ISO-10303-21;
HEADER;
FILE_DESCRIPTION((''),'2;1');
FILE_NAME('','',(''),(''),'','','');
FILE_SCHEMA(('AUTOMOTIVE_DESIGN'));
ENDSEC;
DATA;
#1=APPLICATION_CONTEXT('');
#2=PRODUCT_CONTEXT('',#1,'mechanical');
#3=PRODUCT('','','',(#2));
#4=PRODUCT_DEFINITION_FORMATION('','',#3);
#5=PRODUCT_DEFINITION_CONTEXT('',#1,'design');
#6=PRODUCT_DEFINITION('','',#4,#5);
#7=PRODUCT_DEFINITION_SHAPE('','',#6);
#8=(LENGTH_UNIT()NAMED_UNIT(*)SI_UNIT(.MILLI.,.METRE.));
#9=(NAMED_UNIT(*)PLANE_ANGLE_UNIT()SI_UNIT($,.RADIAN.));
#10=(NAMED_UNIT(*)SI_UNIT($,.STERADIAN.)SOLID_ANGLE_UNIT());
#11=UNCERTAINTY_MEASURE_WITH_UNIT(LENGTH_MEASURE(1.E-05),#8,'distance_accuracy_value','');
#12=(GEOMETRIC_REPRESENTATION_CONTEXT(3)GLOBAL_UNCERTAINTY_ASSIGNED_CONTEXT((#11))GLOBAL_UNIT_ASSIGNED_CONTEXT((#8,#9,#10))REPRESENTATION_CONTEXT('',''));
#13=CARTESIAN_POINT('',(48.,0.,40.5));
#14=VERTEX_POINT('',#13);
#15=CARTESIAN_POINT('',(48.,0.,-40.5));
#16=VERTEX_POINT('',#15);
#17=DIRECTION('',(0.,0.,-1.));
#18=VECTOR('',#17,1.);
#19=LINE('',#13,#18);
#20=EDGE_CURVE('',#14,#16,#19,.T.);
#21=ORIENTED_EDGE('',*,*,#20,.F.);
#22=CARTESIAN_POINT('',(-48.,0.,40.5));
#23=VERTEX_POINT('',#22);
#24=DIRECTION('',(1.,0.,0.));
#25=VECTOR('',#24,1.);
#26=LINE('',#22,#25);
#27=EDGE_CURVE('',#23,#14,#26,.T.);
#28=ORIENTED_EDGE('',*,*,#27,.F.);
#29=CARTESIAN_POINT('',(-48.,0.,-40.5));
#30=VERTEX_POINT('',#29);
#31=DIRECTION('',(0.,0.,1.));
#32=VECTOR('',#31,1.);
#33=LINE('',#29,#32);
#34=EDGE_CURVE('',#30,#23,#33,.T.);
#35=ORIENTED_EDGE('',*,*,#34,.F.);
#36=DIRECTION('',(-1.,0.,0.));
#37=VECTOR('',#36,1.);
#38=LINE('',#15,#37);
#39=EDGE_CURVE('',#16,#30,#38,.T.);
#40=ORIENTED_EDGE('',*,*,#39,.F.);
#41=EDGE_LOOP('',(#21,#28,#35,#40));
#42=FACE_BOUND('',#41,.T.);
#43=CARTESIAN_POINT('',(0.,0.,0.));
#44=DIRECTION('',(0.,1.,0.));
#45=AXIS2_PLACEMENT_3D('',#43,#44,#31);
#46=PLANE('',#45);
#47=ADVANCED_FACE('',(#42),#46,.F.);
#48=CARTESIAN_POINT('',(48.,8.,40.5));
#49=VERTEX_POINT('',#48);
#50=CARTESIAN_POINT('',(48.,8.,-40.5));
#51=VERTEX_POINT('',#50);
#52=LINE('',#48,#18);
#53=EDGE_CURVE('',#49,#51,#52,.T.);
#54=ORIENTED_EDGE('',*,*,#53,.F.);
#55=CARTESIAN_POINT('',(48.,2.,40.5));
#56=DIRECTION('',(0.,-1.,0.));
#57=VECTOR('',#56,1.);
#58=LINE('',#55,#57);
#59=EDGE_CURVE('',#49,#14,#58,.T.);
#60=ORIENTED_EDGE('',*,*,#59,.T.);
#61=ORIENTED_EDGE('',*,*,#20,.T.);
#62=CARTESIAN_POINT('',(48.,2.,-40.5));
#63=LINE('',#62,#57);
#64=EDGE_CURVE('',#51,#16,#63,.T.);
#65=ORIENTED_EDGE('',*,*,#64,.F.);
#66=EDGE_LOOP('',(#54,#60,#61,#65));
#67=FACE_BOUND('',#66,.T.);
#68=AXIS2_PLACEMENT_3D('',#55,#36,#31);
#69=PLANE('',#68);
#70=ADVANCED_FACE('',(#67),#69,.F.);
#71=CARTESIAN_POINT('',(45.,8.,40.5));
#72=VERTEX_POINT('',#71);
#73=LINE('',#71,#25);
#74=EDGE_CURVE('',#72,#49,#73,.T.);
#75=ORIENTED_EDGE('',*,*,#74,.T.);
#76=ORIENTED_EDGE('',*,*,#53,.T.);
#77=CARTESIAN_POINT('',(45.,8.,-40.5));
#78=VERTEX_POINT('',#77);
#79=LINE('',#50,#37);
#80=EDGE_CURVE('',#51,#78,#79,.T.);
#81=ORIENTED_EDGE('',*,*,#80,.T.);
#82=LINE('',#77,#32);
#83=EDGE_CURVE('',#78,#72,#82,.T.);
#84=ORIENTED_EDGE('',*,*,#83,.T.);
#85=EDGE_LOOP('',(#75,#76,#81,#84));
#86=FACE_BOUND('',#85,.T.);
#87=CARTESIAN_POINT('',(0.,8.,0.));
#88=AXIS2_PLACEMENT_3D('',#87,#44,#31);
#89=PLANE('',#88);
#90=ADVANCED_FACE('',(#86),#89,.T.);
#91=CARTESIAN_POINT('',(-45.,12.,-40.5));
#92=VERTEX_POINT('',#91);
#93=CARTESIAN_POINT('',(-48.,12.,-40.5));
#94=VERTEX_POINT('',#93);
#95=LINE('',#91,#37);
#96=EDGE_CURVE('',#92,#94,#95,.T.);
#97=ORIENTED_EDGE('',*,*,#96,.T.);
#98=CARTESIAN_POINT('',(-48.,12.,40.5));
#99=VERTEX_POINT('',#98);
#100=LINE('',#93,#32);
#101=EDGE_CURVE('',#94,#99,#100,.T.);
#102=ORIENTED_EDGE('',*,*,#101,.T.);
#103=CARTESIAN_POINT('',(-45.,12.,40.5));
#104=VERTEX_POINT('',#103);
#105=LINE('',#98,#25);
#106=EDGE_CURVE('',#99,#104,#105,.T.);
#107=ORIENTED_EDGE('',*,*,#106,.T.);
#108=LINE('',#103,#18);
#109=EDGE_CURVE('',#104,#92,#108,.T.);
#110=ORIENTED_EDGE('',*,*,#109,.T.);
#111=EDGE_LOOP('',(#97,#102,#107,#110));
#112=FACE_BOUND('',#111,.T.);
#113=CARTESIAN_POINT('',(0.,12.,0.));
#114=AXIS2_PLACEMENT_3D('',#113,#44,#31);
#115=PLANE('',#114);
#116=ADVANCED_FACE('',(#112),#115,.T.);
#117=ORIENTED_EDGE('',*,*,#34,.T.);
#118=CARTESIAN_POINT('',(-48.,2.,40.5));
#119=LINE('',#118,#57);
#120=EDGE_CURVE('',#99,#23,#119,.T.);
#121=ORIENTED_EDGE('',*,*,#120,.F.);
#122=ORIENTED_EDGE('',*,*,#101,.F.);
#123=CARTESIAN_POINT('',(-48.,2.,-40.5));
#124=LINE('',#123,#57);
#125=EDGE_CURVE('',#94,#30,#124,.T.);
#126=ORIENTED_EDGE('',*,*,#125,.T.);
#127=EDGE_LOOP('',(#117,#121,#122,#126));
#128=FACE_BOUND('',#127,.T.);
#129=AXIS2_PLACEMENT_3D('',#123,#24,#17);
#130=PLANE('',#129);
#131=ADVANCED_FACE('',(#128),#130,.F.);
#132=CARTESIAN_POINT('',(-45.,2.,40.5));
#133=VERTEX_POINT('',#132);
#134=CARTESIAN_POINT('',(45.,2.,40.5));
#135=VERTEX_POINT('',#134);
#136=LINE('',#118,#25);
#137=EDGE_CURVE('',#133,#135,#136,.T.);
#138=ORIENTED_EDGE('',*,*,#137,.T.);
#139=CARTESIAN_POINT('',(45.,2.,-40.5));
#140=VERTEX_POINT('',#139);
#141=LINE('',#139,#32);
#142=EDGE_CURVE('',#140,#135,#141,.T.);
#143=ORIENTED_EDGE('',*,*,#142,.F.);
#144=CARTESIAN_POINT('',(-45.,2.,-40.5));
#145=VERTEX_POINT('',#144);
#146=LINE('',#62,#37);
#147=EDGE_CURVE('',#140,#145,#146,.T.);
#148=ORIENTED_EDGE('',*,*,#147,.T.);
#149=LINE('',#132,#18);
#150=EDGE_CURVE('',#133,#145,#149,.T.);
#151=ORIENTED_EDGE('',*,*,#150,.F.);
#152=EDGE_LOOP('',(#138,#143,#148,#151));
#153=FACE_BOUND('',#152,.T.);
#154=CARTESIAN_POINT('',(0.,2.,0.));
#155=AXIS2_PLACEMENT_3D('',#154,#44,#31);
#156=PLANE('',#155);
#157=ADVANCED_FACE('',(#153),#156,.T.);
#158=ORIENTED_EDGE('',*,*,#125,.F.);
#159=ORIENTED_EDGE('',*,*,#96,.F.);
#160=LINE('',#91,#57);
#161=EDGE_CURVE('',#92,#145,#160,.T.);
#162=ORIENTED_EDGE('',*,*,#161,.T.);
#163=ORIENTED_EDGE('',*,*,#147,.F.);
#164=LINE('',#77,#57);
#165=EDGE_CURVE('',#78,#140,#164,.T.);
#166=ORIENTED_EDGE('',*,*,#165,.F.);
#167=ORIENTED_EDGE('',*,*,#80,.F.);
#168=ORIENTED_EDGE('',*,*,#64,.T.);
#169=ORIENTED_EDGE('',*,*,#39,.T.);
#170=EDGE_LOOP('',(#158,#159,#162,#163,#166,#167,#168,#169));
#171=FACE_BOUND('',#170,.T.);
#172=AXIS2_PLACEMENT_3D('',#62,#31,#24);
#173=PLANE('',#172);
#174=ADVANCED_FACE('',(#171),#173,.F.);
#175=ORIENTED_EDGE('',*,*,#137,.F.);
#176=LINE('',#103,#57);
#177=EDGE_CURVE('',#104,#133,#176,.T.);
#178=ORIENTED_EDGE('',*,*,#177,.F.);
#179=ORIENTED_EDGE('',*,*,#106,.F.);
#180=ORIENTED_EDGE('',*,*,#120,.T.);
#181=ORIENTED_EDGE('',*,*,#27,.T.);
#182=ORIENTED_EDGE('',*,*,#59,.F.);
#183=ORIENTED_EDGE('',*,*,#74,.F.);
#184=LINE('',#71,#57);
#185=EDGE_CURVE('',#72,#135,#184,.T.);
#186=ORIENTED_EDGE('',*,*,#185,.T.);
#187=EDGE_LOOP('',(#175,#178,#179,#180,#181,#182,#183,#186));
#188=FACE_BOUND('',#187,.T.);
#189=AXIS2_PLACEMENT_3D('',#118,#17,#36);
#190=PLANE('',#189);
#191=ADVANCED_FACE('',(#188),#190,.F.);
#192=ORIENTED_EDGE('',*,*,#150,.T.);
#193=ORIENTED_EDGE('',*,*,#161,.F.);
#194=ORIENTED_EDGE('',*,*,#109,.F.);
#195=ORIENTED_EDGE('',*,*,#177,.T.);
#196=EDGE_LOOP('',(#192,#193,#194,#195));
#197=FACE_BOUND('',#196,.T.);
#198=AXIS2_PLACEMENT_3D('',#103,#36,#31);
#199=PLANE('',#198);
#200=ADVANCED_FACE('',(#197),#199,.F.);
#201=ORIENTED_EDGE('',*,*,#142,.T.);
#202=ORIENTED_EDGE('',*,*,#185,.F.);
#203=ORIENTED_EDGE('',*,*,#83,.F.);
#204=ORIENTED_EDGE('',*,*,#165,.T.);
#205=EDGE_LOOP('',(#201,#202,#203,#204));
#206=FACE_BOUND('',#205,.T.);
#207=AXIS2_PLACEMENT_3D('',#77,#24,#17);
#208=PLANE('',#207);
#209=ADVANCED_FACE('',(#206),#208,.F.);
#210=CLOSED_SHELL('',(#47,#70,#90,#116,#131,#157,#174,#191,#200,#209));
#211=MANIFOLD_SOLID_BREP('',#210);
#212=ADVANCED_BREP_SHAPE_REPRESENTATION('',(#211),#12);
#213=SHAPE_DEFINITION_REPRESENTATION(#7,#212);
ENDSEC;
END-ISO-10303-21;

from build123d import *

# Parameters (mm, degrees)
SK_P01_TRAY_W      = 96
SK_P01_TRAY_H      = 81
P01_TRAY_DEPTH     = 2
P02_REARSTOP_START = 2
SK_P02_REARSTOP_W  = 3
SK_P02_REARSTOP_H  = 81
P02_REARSTOP_DEPTH = 10
P03_FRONTLIP_START = 2
SK_P03_FRONTLIP_W  = 3
SK_P03_FRONTLIP_H  = 81
P03_FRONTLIP_DEPTH = 6


with BuildPart() as part:
    # SK_P01_Tray → P01_Tray (new body)
    with BuildSketch(Plane(origin=(0, 0, 0), x_dir=(1, 0, 0), z_dir=(0, 1, 0))):
        Rectangle(SK_P01_TRAY_W, SK_P01_TRAY_H)
    extrude(amount=P01_TRAY_DEPTH)

    # SK_P02_Rearstop → P02_Rearstop (add)
    with BuildSketch(Plane(origin=(0, 0, 0), x_dir=(1, 0, 0), z_dir=(0, 1, 0)).offset(P02_REARSTOP_START)):
        with Locations((-46.5, 0)):
            Rectangle(SK_P02_REARSTOP_W, SK_P02_REARSTOP_H)
    extrude(amount=P02_REARSTOP_DEPTH)

    # SK_P03_Frontlip → P03_Frontlip (add)
    with BuildSketch(Plane(origin=(0, 0, 0), x_dir=(1, 0, 0), z_dir=(0, 1, 0)).offset(P03_FRONTLIP_START)):
        with Locations((46.5, 0)):
            Rectangle(SK_P03_FRONTLIP_W, SK_P03_FRONTLIP_H)
    extrude(amount=P03_FRONTLIP_DEPTH)


solid = part.part
